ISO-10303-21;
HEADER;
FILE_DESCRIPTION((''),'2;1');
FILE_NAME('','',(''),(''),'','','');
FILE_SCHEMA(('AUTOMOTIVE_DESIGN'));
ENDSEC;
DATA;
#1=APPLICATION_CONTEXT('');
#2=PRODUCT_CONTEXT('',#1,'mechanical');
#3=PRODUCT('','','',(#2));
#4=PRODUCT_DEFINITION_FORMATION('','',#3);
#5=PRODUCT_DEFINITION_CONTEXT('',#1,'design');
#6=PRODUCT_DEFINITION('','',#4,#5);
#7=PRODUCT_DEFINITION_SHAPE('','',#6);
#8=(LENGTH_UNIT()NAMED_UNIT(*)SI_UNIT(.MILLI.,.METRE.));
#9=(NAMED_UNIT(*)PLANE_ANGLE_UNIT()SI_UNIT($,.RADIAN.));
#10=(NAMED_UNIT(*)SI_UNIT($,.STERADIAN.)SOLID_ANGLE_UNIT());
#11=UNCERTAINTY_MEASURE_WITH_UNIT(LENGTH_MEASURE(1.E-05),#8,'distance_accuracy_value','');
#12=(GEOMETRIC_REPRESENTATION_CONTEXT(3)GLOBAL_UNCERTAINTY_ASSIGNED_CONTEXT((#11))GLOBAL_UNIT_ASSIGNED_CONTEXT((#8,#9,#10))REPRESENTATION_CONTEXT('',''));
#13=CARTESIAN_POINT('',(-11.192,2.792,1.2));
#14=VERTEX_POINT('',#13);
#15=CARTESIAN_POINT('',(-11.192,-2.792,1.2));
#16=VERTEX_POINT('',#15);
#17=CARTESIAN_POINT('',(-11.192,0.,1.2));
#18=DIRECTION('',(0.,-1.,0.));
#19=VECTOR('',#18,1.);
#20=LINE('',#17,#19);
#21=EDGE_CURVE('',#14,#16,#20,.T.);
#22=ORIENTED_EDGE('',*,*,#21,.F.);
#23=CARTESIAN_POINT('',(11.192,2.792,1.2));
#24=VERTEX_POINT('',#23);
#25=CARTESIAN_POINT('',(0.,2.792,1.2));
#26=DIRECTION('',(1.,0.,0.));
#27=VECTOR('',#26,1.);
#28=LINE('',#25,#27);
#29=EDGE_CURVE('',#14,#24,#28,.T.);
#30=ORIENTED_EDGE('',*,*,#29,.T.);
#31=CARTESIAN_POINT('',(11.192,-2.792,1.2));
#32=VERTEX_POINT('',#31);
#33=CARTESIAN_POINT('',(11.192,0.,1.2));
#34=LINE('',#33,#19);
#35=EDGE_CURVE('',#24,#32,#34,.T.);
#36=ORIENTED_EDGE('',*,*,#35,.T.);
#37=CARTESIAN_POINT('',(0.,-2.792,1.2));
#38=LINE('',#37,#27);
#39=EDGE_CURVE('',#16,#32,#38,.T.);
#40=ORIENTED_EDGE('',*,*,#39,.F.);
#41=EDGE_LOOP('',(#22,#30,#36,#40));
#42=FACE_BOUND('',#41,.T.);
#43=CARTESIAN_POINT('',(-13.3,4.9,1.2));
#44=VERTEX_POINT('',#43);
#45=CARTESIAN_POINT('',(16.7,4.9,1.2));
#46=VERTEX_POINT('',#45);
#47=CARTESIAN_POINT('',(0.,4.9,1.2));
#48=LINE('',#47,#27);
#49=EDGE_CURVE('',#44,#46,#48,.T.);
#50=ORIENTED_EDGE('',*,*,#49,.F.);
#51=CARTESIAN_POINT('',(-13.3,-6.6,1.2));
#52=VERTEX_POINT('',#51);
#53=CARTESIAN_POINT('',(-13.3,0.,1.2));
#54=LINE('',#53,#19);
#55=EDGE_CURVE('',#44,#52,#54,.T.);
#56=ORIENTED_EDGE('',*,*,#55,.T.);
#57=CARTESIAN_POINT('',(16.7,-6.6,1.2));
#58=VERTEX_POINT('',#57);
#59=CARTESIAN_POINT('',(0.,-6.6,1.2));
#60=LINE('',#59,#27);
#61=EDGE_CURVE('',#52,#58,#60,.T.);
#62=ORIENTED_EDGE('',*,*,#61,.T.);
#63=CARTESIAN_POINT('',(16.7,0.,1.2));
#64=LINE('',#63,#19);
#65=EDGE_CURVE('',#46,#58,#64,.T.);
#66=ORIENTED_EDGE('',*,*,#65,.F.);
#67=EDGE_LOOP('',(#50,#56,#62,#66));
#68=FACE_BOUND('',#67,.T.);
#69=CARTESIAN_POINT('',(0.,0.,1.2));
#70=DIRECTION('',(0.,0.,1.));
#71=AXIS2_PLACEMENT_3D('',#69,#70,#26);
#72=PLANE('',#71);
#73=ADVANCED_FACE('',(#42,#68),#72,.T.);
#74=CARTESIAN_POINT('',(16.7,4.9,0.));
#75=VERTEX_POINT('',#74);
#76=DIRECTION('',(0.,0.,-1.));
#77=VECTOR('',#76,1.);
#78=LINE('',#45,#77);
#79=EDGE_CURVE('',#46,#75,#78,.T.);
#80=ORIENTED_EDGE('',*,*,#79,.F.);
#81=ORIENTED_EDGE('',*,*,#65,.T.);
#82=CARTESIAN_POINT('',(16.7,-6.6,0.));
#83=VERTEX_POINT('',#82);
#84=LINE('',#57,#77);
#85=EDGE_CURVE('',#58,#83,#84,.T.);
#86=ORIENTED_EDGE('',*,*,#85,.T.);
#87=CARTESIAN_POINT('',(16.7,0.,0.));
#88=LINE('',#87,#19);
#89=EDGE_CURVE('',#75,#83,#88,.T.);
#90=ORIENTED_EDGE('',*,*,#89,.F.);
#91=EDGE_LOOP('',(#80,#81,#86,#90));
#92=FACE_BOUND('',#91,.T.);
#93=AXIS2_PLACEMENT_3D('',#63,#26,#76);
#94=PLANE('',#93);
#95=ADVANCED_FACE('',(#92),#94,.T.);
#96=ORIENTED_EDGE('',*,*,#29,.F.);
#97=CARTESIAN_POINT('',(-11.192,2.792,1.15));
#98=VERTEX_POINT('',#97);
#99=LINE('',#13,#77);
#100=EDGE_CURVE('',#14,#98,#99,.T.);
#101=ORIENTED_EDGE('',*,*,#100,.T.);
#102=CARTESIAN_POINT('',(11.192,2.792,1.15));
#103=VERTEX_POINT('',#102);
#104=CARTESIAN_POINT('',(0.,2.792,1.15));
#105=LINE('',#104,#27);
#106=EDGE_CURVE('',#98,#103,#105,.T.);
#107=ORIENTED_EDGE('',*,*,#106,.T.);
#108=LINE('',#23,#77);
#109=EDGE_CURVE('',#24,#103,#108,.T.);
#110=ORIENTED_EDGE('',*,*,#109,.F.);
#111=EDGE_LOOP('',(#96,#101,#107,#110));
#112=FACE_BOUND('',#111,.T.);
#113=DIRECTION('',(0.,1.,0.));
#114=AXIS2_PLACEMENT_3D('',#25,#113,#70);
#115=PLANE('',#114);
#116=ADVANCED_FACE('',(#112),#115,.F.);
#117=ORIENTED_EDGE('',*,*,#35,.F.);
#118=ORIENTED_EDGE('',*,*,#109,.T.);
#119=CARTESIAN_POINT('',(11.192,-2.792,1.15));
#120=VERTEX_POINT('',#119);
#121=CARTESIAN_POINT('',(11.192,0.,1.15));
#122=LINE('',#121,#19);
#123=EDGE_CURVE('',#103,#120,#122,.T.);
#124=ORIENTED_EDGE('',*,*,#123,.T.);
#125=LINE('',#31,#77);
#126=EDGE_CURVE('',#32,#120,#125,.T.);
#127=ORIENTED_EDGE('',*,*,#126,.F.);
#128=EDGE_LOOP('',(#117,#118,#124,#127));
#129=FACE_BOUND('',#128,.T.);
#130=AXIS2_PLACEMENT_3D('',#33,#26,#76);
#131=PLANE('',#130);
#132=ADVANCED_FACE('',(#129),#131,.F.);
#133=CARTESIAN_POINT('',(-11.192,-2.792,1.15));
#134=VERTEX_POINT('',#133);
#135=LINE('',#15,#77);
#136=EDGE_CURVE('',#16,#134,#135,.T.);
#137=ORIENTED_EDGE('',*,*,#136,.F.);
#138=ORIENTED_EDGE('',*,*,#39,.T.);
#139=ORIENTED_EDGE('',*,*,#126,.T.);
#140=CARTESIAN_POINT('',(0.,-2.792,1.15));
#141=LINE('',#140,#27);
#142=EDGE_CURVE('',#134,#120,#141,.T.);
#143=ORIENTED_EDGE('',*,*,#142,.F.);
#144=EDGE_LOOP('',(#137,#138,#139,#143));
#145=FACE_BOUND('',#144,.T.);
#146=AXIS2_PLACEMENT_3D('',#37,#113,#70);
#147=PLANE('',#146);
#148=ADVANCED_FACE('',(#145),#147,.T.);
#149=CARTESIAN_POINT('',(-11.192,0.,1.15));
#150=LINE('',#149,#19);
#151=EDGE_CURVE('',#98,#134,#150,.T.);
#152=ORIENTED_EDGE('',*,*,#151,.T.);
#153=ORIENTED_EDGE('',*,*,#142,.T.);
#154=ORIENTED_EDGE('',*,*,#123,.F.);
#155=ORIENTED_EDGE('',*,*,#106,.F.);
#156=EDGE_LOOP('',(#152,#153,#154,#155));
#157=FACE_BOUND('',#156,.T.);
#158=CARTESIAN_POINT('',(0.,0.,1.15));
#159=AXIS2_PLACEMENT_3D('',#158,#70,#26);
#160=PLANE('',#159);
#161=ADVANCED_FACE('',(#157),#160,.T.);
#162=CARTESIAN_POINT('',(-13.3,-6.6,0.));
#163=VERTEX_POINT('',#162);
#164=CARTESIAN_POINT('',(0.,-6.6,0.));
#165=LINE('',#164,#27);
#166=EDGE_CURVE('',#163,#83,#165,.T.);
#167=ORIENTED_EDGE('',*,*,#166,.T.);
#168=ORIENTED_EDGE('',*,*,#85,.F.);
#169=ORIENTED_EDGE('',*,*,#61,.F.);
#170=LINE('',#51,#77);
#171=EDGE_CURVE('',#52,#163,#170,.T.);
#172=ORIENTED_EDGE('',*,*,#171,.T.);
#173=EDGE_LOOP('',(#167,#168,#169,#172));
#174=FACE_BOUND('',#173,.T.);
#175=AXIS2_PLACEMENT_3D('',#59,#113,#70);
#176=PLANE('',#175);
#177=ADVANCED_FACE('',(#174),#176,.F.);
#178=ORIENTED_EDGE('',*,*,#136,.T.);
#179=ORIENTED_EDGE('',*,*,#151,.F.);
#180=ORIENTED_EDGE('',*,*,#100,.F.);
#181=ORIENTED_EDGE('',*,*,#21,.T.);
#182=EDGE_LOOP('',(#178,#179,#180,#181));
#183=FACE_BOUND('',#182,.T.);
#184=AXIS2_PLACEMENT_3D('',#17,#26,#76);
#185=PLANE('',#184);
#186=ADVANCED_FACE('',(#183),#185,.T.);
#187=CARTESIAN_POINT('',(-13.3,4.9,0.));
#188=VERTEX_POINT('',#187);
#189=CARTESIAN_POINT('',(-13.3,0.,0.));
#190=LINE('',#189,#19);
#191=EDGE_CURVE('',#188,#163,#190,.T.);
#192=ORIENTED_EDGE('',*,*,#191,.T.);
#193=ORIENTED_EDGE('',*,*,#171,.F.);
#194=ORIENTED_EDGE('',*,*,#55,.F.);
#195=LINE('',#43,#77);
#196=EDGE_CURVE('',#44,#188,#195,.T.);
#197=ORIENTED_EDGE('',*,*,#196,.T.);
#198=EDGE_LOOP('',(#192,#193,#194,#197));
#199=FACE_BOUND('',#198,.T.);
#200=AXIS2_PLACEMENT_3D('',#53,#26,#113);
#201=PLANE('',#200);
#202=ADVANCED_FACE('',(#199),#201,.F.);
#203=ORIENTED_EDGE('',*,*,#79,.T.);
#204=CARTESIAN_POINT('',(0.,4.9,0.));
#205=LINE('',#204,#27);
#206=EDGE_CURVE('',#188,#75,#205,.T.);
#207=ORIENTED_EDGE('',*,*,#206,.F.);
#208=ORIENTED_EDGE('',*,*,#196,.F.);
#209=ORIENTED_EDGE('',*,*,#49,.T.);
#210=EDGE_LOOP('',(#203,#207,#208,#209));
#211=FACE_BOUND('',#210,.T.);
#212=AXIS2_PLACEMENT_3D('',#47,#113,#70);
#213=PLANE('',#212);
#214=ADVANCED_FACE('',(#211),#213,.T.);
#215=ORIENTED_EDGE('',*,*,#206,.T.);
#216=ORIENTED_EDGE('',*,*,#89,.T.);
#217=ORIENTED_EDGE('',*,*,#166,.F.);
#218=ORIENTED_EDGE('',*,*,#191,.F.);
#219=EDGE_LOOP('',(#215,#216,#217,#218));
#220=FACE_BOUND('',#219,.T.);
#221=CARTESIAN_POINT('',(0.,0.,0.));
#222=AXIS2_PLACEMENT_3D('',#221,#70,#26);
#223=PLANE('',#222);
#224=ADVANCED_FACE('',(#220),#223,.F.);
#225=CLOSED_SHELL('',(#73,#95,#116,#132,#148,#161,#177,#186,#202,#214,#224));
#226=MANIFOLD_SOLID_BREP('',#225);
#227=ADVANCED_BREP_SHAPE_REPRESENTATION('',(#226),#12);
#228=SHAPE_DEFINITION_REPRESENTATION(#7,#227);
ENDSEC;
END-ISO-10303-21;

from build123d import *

# Parameters (mm, degrees)
SKETCH_1_W      = 30
SKETCH_1_H      = 11.5
SKETCH_1_W_2    = 22.384
SKETCH_1_H_2    = 5.584
EXTRUDE_2_DEPTH = 1.2
SKETCH_1_6_W    = 22.384
SKETCH_1_6_H    = 5.584
EXTRUDE_4_DEPTH = 1.15


with BuildPart() as part:
    # 草图1 → 凸台-拉伸2 (new body)
    with BuildSketch(Plane.XY):
        with Locations((1.7, -0.85)):
            Rectangle(SKETCH_1_W, SKETCH_1_H)
        Rectangle(SKETCH_1_W_2, SKETCH_1_H_2, mode=Mode.SUBTRACT)
    extrude(amount=EXTRUDE_2_DEPTH)

    # 草图1<6> → 凸台-拉伸4 (add)
    with BuildSketch(Plane.XY):
        Rectangle(SKETCH_1_6_W, SKETCH_1_6_H)
    extrude(amount=EXTRUDE_4_DEPTH)


solid = part.part
